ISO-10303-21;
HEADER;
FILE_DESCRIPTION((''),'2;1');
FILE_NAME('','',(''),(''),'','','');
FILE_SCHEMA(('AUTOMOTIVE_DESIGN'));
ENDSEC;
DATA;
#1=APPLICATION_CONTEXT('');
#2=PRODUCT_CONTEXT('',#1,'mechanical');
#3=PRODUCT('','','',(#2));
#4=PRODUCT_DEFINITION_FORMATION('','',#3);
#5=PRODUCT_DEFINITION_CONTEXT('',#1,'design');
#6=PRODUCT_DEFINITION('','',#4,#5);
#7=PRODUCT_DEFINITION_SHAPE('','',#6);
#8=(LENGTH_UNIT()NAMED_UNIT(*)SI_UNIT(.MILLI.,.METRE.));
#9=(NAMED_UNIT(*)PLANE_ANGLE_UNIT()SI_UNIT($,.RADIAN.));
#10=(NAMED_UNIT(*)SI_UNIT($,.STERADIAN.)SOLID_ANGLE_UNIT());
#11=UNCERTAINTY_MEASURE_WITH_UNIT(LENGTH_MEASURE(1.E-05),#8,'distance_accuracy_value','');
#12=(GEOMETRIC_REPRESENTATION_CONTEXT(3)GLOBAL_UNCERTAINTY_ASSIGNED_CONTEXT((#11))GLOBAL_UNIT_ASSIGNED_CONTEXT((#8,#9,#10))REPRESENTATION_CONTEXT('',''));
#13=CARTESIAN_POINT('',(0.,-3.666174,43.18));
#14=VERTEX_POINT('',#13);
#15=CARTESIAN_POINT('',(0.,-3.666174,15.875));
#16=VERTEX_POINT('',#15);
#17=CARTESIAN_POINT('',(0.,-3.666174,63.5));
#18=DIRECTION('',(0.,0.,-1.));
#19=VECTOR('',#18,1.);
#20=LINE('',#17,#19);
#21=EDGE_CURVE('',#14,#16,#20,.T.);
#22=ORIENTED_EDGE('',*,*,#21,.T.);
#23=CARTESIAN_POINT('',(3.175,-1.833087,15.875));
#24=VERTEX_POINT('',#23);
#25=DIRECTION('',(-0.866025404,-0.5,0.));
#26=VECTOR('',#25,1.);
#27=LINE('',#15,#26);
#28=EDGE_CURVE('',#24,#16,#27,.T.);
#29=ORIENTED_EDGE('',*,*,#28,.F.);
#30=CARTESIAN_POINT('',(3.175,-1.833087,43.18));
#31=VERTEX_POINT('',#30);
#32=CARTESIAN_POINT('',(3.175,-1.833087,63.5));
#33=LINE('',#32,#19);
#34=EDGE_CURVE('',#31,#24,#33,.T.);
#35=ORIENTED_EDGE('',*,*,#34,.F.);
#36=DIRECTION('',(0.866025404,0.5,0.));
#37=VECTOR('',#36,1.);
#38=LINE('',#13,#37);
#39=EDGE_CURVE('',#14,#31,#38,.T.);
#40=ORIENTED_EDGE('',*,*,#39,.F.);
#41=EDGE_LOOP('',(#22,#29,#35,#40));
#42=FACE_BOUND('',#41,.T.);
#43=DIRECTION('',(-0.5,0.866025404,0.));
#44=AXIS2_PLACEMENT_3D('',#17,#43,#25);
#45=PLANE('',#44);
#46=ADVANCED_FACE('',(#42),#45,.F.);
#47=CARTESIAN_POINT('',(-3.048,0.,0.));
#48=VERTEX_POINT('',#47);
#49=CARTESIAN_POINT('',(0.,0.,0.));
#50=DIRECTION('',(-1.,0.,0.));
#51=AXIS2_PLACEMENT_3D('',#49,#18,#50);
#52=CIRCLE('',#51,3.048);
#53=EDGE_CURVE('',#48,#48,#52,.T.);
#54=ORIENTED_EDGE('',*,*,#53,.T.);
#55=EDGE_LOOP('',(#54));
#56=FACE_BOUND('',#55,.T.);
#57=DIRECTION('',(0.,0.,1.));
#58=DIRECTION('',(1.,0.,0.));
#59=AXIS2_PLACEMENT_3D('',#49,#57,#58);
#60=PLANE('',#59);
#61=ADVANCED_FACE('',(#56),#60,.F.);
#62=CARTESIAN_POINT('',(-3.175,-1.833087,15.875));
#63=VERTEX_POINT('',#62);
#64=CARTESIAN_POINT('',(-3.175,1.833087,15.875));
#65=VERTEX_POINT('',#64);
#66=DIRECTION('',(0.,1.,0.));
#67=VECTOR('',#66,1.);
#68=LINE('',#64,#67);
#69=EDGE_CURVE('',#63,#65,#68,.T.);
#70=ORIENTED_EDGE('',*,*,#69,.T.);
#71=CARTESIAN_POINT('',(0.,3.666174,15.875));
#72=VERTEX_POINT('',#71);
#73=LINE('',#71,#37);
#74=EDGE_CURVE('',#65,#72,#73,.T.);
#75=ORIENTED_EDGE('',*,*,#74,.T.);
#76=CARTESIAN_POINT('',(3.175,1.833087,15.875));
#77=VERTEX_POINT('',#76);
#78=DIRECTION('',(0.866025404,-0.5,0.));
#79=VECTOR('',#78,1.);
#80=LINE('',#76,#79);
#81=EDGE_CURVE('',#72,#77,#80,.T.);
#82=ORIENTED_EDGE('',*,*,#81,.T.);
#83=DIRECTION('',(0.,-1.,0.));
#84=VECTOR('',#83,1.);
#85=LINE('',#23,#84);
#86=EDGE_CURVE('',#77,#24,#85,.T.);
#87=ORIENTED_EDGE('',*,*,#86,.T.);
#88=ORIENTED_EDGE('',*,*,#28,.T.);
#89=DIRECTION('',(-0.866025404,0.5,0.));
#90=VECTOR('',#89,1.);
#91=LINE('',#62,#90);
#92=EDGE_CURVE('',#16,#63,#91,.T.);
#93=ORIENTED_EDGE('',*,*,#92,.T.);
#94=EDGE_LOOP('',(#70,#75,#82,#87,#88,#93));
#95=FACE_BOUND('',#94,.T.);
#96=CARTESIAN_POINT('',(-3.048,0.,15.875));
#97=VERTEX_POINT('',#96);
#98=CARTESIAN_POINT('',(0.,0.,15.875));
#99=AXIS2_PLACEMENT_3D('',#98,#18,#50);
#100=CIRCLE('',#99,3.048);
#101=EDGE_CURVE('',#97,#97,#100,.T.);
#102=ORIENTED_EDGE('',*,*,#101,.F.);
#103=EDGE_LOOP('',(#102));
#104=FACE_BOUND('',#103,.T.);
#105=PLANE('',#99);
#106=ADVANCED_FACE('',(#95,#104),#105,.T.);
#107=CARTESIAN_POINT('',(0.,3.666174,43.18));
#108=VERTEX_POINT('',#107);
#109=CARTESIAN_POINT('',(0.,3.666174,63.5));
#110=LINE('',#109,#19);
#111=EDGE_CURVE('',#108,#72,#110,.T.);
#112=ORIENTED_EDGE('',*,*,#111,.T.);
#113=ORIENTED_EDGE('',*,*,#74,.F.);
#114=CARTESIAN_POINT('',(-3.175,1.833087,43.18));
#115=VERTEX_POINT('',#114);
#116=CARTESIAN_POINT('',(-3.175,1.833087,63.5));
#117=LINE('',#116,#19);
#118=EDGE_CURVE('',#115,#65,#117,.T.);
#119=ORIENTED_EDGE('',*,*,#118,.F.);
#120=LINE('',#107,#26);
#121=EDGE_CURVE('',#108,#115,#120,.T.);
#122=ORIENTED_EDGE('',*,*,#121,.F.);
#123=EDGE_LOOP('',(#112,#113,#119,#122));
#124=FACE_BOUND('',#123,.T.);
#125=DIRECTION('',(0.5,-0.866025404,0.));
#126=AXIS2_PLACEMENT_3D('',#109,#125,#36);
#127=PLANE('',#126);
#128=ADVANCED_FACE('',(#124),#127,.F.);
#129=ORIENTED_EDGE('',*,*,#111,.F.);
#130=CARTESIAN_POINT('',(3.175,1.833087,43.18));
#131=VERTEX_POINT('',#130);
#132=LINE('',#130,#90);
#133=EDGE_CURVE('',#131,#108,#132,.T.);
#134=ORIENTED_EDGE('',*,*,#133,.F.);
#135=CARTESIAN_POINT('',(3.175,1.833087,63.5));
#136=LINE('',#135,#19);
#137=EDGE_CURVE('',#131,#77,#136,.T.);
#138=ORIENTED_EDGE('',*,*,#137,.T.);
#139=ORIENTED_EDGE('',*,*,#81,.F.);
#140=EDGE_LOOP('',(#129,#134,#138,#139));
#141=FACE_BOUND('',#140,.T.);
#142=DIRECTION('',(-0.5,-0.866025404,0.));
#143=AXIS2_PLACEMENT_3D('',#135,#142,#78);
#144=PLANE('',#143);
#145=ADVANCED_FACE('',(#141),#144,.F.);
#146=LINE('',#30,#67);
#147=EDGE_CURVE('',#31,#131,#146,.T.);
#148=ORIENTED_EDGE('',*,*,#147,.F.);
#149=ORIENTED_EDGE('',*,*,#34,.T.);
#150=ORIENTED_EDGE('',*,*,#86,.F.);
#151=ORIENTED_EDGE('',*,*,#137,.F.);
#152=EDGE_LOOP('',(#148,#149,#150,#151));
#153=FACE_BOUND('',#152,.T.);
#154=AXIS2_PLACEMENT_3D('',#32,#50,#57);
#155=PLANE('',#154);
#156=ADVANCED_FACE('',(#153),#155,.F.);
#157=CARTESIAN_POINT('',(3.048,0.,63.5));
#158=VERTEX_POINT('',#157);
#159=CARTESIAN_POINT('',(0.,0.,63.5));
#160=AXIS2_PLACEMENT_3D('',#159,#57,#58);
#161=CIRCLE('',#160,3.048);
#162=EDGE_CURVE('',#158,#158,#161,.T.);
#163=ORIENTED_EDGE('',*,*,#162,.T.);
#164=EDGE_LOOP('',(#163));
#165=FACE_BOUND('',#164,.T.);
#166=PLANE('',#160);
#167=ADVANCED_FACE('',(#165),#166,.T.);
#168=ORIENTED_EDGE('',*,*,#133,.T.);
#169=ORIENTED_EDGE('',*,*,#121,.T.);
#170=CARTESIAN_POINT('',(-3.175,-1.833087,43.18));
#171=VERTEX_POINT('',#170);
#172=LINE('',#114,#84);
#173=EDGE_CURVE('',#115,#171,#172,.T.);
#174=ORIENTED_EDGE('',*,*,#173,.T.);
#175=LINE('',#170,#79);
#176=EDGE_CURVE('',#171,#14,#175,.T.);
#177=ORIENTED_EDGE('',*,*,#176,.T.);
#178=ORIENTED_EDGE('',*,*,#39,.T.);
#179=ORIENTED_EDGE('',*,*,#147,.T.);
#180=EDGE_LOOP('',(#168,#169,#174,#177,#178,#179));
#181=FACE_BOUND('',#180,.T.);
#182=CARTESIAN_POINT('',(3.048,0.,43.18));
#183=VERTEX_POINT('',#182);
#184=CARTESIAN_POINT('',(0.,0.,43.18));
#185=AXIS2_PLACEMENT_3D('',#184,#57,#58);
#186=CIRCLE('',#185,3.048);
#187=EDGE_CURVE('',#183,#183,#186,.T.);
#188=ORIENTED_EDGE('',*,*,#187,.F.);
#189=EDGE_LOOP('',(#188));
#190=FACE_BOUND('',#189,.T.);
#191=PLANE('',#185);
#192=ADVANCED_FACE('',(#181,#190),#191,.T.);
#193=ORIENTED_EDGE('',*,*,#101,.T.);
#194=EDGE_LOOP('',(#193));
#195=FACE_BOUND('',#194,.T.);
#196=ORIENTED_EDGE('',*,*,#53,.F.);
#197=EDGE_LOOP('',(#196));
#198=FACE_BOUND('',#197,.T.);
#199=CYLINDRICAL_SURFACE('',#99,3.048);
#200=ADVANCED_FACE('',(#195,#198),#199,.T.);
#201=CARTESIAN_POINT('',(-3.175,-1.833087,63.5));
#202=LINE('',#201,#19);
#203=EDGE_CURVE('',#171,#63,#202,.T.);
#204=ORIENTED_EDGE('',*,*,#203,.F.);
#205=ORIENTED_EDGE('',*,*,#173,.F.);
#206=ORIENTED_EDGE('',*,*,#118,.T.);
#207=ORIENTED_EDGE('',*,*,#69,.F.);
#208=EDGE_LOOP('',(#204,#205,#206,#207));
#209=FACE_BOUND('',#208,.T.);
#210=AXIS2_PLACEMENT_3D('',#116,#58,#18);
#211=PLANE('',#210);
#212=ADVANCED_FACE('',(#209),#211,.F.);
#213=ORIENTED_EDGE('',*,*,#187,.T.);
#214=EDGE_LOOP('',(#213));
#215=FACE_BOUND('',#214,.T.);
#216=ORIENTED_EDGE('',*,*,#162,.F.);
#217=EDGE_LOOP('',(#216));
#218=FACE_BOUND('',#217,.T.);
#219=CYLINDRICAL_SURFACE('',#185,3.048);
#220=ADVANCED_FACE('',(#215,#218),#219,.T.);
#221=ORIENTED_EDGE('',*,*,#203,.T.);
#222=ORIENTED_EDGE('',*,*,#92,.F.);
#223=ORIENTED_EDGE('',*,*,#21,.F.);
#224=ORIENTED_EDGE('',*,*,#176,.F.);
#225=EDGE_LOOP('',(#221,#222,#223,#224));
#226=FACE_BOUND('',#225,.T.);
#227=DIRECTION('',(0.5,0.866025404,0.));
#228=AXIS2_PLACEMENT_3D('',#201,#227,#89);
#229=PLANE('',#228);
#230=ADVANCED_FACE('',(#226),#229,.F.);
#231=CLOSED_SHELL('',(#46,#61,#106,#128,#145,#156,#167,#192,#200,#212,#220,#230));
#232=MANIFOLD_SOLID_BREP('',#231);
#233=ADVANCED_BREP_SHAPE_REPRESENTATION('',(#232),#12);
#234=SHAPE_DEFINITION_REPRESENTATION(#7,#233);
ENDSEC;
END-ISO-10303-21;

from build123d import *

# Parameters (mm, degrees)
BOSS_EXTRUDE1_DEPTH = 63.5
SKETCH3_OUTSIDE_W   = 21.198
SKETCH3_OUTSIDE_H   = 22.18
SKETCH3_OUTSIDE_R   = 3.048
CUT_EXTRUDE1_DEPTH  = 20.32
SKETCH4_OUTSIDE_W   = 21.198
SKETCH4_OUTSIDE_H   = 22.18
SKETCH4_OUTSIDE_R   = 3.048
CUT_EXTRUDE2_DEPTH  = 15.875


with BuildPart() as part:
    # Sketch2 → Boss-Extrude1 (new body)
    with BuildSketch(Plane.XY):
        Polygon((0, 3.666174209), (-3.175, 1.833087105), (-3.175, -1.833087105), (0, -3.666174209), (3.175, -1.833087105), (3.175, 1.833087105), align=None)
    extrude(amount=BOSS_EXTRUDE1_DEPTH)

    # Sketch3 outside → Cut-Extrude1 (cut)
    with BuildSketch(Plane.XY.offset(63.5)):
        Rectangle(SKETCH3_OUTSIDE_W, SKETCH3_OUTSIDE_H)
        Circle(SKETCH3_OUTSIDE_R, mode=Mode.SUBTRACT)
    extrude(amount=-CUT_EXTRUDE1_DEPTH, mode=Mode.SUBTRACT)

    # Sketch4 outside → Cut-Extrude2 (cut)
    with BuildSketch(Plane(origin=(0, 0, 0), x_dir=(-1, 0, 0), z_dir=(0, 0, -1))):
        Rectangle(SKETCH4_OUTSIDE_W, SKETCH4_OUTSIDE_H)
        Circle(SKETCH4_OUTSIDE_R, mode=Mode.SUBTRACT)
    extrude(amount=-CUT_EXTRUDE2_DEPTH, mode=Mode.SUBTRACT)


solid = part.part
